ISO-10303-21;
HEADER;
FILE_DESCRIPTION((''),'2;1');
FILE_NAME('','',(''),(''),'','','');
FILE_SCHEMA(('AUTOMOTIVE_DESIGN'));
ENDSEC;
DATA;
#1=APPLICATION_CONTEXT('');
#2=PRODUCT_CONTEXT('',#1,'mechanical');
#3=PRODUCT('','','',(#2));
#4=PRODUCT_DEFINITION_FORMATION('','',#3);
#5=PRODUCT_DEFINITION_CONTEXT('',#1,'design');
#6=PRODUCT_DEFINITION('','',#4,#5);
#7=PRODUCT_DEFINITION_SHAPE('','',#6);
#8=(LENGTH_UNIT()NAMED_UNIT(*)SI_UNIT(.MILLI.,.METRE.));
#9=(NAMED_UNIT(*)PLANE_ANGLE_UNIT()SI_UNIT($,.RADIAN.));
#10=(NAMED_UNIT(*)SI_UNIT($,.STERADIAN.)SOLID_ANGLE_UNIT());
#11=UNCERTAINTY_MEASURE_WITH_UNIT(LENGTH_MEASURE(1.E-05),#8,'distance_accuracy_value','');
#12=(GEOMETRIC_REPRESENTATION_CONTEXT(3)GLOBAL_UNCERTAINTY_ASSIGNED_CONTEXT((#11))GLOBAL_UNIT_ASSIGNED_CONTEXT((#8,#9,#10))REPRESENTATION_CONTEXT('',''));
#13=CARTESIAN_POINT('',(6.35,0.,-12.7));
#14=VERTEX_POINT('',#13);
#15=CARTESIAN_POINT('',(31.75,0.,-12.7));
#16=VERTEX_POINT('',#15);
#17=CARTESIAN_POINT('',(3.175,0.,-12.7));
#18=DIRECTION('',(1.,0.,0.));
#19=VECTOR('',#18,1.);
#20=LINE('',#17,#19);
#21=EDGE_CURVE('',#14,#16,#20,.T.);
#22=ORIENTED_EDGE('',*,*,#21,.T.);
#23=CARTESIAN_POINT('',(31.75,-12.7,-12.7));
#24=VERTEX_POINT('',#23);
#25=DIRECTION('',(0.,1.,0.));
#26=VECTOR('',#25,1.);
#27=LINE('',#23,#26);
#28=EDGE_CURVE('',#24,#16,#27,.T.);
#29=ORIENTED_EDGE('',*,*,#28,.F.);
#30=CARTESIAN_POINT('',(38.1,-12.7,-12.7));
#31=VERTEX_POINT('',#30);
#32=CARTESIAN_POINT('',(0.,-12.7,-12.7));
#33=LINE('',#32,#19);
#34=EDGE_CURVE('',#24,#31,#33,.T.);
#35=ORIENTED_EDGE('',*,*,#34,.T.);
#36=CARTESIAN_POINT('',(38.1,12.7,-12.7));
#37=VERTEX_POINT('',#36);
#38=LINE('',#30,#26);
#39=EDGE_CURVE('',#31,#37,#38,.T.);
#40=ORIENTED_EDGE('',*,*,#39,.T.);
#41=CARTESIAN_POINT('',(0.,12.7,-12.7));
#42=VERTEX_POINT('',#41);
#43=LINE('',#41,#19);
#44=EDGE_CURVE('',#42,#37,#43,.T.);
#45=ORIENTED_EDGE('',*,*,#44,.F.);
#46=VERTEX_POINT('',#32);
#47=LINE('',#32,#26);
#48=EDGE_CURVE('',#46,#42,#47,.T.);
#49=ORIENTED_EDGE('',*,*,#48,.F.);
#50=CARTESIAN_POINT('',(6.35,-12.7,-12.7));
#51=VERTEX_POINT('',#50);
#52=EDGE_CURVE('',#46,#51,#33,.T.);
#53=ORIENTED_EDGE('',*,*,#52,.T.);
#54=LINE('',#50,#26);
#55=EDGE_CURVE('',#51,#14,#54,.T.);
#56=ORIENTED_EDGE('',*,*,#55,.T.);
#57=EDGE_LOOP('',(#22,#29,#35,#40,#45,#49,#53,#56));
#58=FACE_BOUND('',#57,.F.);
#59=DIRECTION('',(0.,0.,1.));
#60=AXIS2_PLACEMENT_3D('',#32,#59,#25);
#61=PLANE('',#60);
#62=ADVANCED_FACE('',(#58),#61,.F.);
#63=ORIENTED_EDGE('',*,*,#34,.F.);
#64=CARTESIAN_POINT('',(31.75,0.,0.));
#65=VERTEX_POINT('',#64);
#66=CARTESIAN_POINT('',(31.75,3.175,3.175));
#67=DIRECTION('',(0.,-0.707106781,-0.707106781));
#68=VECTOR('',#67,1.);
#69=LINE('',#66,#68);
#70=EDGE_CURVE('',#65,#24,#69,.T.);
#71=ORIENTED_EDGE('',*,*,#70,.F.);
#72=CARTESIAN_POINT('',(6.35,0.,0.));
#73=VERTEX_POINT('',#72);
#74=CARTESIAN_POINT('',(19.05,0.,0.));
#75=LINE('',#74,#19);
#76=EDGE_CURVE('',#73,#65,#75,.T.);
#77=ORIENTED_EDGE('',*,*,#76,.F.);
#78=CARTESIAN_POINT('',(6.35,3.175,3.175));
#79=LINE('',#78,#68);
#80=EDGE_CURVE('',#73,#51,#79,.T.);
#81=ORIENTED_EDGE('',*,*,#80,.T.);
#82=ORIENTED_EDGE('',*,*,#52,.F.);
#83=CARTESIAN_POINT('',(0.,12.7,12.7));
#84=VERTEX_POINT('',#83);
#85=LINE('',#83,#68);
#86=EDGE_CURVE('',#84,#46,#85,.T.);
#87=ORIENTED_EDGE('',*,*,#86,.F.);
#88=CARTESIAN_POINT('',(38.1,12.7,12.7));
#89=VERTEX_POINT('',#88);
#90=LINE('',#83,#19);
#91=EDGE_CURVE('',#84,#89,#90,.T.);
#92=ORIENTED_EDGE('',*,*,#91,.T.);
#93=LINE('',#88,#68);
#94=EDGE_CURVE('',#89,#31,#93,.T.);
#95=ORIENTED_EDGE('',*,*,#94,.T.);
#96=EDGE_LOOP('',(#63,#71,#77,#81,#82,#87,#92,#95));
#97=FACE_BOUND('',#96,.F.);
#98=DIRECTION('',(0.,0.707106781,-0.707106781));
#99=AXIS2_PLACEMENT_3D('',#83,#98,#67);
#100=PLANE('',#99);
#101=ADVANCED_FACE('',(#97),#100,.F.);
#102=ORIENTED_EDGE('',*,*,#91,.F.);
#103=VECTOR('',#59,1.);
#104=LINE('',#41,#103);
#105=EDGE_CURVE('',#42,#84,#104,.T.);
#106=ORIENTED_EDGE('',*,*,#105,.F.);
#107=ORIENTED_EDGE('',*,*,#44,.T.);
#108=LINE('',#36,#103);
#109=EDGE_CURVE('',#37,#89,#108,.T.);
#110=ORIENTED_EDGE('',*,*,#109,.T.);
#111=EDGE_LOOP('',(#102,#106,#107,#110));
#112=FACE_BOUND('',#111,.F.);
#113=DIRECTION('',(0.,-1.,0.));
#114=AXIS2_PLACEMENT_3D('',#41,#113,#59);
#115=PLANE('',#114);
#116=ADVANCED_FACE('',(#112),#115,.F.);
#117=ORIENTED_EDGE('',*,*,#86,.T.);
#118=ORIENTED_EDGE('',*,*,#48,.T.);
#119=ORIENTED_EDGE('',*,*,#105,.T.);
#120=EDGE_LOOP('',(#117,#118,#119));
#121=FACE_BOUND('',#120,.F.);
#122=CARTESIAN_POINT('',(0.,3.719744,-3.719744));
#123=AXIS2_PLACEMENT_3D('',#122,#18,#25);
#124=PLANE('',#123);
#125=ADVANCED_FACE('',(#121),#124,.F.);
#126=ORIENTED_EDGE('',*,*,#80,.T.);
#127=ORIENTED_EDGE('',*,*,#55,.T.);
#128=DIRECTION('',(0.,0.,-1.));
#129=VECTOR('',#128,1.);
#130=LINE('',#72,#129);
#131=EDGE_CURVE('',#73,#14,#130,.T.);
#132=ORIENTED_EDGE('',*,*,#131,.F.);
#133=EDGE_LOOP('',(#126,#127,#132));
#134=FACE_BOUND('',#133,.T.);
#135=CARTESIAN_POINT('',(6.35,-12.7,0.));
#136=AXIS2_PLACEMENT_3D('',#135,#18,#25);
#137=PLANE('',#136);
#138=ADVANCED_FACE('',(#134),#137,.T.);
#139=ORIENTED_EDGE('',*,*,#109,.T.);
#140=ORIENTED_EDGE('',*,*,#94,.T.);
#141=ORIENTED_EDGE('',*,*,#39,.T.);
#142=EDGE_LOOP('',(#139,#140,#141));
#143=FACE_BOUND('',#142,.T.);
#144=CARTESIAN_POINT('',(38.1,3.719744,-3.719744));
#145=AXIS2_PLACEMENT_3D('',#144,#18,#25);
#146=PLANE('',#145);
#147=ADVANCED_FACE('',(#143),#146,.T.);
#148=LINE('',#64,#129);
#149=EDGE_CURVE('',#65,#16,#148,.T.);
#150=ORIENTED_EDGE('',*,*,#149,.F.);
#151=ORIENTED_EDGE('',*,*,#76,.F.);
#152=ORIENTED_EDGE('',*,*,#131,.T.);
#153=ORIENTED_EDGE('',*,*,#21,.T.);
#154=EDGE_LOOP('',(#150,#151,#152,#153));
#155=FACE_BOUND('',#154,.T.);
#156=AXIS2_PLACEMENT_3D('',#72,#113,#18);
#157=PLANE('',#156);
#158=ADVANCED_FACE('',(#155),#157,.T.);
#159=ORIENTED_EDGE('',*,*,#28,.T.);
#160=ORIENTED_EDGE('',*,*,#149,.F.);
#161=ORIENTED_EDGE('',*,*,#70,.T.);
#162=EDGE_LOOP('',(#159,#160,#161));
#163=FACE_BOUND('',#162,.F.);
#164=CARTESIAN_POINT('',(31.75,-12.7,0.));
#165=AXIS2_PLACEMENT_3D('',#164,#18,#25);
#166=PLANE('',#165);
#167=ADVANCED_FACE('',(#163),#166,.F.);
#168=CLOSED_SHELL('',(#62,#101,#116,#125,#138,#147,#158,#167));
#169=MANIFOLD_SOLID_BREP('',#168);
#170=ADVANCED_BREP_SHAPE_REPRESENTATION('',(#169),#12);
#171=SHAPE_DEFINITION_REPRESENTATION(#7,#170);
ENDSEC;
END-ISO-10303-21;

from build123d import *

# Parameters (mm, degrees)
F1_DEPTH = 38.1
F2_W     = 25.4
F2_H     = 12.7
F3_DEPTH = 12.701


with BuildPart() as f1:
    # F0 (on Right) → F1 (new body)
    with BuildSketch(Plane.YZ):
        Polygon((12.7, 12.7), (-12.7, -12.7), (12.7, -12.7), align=None)
    extrude(amount=F1_DEPTH)

    # F2 (on Top) → F3 (cut, through all)
    with BuildSketch(Plane.XY):
        with Locations((19.05, -6.35)):
            Rectangle(F2_W, F2_H)
    extrude(amount=-F3_DEPTH, mode=Mode.SUBTRACT)


solid = f1.part
